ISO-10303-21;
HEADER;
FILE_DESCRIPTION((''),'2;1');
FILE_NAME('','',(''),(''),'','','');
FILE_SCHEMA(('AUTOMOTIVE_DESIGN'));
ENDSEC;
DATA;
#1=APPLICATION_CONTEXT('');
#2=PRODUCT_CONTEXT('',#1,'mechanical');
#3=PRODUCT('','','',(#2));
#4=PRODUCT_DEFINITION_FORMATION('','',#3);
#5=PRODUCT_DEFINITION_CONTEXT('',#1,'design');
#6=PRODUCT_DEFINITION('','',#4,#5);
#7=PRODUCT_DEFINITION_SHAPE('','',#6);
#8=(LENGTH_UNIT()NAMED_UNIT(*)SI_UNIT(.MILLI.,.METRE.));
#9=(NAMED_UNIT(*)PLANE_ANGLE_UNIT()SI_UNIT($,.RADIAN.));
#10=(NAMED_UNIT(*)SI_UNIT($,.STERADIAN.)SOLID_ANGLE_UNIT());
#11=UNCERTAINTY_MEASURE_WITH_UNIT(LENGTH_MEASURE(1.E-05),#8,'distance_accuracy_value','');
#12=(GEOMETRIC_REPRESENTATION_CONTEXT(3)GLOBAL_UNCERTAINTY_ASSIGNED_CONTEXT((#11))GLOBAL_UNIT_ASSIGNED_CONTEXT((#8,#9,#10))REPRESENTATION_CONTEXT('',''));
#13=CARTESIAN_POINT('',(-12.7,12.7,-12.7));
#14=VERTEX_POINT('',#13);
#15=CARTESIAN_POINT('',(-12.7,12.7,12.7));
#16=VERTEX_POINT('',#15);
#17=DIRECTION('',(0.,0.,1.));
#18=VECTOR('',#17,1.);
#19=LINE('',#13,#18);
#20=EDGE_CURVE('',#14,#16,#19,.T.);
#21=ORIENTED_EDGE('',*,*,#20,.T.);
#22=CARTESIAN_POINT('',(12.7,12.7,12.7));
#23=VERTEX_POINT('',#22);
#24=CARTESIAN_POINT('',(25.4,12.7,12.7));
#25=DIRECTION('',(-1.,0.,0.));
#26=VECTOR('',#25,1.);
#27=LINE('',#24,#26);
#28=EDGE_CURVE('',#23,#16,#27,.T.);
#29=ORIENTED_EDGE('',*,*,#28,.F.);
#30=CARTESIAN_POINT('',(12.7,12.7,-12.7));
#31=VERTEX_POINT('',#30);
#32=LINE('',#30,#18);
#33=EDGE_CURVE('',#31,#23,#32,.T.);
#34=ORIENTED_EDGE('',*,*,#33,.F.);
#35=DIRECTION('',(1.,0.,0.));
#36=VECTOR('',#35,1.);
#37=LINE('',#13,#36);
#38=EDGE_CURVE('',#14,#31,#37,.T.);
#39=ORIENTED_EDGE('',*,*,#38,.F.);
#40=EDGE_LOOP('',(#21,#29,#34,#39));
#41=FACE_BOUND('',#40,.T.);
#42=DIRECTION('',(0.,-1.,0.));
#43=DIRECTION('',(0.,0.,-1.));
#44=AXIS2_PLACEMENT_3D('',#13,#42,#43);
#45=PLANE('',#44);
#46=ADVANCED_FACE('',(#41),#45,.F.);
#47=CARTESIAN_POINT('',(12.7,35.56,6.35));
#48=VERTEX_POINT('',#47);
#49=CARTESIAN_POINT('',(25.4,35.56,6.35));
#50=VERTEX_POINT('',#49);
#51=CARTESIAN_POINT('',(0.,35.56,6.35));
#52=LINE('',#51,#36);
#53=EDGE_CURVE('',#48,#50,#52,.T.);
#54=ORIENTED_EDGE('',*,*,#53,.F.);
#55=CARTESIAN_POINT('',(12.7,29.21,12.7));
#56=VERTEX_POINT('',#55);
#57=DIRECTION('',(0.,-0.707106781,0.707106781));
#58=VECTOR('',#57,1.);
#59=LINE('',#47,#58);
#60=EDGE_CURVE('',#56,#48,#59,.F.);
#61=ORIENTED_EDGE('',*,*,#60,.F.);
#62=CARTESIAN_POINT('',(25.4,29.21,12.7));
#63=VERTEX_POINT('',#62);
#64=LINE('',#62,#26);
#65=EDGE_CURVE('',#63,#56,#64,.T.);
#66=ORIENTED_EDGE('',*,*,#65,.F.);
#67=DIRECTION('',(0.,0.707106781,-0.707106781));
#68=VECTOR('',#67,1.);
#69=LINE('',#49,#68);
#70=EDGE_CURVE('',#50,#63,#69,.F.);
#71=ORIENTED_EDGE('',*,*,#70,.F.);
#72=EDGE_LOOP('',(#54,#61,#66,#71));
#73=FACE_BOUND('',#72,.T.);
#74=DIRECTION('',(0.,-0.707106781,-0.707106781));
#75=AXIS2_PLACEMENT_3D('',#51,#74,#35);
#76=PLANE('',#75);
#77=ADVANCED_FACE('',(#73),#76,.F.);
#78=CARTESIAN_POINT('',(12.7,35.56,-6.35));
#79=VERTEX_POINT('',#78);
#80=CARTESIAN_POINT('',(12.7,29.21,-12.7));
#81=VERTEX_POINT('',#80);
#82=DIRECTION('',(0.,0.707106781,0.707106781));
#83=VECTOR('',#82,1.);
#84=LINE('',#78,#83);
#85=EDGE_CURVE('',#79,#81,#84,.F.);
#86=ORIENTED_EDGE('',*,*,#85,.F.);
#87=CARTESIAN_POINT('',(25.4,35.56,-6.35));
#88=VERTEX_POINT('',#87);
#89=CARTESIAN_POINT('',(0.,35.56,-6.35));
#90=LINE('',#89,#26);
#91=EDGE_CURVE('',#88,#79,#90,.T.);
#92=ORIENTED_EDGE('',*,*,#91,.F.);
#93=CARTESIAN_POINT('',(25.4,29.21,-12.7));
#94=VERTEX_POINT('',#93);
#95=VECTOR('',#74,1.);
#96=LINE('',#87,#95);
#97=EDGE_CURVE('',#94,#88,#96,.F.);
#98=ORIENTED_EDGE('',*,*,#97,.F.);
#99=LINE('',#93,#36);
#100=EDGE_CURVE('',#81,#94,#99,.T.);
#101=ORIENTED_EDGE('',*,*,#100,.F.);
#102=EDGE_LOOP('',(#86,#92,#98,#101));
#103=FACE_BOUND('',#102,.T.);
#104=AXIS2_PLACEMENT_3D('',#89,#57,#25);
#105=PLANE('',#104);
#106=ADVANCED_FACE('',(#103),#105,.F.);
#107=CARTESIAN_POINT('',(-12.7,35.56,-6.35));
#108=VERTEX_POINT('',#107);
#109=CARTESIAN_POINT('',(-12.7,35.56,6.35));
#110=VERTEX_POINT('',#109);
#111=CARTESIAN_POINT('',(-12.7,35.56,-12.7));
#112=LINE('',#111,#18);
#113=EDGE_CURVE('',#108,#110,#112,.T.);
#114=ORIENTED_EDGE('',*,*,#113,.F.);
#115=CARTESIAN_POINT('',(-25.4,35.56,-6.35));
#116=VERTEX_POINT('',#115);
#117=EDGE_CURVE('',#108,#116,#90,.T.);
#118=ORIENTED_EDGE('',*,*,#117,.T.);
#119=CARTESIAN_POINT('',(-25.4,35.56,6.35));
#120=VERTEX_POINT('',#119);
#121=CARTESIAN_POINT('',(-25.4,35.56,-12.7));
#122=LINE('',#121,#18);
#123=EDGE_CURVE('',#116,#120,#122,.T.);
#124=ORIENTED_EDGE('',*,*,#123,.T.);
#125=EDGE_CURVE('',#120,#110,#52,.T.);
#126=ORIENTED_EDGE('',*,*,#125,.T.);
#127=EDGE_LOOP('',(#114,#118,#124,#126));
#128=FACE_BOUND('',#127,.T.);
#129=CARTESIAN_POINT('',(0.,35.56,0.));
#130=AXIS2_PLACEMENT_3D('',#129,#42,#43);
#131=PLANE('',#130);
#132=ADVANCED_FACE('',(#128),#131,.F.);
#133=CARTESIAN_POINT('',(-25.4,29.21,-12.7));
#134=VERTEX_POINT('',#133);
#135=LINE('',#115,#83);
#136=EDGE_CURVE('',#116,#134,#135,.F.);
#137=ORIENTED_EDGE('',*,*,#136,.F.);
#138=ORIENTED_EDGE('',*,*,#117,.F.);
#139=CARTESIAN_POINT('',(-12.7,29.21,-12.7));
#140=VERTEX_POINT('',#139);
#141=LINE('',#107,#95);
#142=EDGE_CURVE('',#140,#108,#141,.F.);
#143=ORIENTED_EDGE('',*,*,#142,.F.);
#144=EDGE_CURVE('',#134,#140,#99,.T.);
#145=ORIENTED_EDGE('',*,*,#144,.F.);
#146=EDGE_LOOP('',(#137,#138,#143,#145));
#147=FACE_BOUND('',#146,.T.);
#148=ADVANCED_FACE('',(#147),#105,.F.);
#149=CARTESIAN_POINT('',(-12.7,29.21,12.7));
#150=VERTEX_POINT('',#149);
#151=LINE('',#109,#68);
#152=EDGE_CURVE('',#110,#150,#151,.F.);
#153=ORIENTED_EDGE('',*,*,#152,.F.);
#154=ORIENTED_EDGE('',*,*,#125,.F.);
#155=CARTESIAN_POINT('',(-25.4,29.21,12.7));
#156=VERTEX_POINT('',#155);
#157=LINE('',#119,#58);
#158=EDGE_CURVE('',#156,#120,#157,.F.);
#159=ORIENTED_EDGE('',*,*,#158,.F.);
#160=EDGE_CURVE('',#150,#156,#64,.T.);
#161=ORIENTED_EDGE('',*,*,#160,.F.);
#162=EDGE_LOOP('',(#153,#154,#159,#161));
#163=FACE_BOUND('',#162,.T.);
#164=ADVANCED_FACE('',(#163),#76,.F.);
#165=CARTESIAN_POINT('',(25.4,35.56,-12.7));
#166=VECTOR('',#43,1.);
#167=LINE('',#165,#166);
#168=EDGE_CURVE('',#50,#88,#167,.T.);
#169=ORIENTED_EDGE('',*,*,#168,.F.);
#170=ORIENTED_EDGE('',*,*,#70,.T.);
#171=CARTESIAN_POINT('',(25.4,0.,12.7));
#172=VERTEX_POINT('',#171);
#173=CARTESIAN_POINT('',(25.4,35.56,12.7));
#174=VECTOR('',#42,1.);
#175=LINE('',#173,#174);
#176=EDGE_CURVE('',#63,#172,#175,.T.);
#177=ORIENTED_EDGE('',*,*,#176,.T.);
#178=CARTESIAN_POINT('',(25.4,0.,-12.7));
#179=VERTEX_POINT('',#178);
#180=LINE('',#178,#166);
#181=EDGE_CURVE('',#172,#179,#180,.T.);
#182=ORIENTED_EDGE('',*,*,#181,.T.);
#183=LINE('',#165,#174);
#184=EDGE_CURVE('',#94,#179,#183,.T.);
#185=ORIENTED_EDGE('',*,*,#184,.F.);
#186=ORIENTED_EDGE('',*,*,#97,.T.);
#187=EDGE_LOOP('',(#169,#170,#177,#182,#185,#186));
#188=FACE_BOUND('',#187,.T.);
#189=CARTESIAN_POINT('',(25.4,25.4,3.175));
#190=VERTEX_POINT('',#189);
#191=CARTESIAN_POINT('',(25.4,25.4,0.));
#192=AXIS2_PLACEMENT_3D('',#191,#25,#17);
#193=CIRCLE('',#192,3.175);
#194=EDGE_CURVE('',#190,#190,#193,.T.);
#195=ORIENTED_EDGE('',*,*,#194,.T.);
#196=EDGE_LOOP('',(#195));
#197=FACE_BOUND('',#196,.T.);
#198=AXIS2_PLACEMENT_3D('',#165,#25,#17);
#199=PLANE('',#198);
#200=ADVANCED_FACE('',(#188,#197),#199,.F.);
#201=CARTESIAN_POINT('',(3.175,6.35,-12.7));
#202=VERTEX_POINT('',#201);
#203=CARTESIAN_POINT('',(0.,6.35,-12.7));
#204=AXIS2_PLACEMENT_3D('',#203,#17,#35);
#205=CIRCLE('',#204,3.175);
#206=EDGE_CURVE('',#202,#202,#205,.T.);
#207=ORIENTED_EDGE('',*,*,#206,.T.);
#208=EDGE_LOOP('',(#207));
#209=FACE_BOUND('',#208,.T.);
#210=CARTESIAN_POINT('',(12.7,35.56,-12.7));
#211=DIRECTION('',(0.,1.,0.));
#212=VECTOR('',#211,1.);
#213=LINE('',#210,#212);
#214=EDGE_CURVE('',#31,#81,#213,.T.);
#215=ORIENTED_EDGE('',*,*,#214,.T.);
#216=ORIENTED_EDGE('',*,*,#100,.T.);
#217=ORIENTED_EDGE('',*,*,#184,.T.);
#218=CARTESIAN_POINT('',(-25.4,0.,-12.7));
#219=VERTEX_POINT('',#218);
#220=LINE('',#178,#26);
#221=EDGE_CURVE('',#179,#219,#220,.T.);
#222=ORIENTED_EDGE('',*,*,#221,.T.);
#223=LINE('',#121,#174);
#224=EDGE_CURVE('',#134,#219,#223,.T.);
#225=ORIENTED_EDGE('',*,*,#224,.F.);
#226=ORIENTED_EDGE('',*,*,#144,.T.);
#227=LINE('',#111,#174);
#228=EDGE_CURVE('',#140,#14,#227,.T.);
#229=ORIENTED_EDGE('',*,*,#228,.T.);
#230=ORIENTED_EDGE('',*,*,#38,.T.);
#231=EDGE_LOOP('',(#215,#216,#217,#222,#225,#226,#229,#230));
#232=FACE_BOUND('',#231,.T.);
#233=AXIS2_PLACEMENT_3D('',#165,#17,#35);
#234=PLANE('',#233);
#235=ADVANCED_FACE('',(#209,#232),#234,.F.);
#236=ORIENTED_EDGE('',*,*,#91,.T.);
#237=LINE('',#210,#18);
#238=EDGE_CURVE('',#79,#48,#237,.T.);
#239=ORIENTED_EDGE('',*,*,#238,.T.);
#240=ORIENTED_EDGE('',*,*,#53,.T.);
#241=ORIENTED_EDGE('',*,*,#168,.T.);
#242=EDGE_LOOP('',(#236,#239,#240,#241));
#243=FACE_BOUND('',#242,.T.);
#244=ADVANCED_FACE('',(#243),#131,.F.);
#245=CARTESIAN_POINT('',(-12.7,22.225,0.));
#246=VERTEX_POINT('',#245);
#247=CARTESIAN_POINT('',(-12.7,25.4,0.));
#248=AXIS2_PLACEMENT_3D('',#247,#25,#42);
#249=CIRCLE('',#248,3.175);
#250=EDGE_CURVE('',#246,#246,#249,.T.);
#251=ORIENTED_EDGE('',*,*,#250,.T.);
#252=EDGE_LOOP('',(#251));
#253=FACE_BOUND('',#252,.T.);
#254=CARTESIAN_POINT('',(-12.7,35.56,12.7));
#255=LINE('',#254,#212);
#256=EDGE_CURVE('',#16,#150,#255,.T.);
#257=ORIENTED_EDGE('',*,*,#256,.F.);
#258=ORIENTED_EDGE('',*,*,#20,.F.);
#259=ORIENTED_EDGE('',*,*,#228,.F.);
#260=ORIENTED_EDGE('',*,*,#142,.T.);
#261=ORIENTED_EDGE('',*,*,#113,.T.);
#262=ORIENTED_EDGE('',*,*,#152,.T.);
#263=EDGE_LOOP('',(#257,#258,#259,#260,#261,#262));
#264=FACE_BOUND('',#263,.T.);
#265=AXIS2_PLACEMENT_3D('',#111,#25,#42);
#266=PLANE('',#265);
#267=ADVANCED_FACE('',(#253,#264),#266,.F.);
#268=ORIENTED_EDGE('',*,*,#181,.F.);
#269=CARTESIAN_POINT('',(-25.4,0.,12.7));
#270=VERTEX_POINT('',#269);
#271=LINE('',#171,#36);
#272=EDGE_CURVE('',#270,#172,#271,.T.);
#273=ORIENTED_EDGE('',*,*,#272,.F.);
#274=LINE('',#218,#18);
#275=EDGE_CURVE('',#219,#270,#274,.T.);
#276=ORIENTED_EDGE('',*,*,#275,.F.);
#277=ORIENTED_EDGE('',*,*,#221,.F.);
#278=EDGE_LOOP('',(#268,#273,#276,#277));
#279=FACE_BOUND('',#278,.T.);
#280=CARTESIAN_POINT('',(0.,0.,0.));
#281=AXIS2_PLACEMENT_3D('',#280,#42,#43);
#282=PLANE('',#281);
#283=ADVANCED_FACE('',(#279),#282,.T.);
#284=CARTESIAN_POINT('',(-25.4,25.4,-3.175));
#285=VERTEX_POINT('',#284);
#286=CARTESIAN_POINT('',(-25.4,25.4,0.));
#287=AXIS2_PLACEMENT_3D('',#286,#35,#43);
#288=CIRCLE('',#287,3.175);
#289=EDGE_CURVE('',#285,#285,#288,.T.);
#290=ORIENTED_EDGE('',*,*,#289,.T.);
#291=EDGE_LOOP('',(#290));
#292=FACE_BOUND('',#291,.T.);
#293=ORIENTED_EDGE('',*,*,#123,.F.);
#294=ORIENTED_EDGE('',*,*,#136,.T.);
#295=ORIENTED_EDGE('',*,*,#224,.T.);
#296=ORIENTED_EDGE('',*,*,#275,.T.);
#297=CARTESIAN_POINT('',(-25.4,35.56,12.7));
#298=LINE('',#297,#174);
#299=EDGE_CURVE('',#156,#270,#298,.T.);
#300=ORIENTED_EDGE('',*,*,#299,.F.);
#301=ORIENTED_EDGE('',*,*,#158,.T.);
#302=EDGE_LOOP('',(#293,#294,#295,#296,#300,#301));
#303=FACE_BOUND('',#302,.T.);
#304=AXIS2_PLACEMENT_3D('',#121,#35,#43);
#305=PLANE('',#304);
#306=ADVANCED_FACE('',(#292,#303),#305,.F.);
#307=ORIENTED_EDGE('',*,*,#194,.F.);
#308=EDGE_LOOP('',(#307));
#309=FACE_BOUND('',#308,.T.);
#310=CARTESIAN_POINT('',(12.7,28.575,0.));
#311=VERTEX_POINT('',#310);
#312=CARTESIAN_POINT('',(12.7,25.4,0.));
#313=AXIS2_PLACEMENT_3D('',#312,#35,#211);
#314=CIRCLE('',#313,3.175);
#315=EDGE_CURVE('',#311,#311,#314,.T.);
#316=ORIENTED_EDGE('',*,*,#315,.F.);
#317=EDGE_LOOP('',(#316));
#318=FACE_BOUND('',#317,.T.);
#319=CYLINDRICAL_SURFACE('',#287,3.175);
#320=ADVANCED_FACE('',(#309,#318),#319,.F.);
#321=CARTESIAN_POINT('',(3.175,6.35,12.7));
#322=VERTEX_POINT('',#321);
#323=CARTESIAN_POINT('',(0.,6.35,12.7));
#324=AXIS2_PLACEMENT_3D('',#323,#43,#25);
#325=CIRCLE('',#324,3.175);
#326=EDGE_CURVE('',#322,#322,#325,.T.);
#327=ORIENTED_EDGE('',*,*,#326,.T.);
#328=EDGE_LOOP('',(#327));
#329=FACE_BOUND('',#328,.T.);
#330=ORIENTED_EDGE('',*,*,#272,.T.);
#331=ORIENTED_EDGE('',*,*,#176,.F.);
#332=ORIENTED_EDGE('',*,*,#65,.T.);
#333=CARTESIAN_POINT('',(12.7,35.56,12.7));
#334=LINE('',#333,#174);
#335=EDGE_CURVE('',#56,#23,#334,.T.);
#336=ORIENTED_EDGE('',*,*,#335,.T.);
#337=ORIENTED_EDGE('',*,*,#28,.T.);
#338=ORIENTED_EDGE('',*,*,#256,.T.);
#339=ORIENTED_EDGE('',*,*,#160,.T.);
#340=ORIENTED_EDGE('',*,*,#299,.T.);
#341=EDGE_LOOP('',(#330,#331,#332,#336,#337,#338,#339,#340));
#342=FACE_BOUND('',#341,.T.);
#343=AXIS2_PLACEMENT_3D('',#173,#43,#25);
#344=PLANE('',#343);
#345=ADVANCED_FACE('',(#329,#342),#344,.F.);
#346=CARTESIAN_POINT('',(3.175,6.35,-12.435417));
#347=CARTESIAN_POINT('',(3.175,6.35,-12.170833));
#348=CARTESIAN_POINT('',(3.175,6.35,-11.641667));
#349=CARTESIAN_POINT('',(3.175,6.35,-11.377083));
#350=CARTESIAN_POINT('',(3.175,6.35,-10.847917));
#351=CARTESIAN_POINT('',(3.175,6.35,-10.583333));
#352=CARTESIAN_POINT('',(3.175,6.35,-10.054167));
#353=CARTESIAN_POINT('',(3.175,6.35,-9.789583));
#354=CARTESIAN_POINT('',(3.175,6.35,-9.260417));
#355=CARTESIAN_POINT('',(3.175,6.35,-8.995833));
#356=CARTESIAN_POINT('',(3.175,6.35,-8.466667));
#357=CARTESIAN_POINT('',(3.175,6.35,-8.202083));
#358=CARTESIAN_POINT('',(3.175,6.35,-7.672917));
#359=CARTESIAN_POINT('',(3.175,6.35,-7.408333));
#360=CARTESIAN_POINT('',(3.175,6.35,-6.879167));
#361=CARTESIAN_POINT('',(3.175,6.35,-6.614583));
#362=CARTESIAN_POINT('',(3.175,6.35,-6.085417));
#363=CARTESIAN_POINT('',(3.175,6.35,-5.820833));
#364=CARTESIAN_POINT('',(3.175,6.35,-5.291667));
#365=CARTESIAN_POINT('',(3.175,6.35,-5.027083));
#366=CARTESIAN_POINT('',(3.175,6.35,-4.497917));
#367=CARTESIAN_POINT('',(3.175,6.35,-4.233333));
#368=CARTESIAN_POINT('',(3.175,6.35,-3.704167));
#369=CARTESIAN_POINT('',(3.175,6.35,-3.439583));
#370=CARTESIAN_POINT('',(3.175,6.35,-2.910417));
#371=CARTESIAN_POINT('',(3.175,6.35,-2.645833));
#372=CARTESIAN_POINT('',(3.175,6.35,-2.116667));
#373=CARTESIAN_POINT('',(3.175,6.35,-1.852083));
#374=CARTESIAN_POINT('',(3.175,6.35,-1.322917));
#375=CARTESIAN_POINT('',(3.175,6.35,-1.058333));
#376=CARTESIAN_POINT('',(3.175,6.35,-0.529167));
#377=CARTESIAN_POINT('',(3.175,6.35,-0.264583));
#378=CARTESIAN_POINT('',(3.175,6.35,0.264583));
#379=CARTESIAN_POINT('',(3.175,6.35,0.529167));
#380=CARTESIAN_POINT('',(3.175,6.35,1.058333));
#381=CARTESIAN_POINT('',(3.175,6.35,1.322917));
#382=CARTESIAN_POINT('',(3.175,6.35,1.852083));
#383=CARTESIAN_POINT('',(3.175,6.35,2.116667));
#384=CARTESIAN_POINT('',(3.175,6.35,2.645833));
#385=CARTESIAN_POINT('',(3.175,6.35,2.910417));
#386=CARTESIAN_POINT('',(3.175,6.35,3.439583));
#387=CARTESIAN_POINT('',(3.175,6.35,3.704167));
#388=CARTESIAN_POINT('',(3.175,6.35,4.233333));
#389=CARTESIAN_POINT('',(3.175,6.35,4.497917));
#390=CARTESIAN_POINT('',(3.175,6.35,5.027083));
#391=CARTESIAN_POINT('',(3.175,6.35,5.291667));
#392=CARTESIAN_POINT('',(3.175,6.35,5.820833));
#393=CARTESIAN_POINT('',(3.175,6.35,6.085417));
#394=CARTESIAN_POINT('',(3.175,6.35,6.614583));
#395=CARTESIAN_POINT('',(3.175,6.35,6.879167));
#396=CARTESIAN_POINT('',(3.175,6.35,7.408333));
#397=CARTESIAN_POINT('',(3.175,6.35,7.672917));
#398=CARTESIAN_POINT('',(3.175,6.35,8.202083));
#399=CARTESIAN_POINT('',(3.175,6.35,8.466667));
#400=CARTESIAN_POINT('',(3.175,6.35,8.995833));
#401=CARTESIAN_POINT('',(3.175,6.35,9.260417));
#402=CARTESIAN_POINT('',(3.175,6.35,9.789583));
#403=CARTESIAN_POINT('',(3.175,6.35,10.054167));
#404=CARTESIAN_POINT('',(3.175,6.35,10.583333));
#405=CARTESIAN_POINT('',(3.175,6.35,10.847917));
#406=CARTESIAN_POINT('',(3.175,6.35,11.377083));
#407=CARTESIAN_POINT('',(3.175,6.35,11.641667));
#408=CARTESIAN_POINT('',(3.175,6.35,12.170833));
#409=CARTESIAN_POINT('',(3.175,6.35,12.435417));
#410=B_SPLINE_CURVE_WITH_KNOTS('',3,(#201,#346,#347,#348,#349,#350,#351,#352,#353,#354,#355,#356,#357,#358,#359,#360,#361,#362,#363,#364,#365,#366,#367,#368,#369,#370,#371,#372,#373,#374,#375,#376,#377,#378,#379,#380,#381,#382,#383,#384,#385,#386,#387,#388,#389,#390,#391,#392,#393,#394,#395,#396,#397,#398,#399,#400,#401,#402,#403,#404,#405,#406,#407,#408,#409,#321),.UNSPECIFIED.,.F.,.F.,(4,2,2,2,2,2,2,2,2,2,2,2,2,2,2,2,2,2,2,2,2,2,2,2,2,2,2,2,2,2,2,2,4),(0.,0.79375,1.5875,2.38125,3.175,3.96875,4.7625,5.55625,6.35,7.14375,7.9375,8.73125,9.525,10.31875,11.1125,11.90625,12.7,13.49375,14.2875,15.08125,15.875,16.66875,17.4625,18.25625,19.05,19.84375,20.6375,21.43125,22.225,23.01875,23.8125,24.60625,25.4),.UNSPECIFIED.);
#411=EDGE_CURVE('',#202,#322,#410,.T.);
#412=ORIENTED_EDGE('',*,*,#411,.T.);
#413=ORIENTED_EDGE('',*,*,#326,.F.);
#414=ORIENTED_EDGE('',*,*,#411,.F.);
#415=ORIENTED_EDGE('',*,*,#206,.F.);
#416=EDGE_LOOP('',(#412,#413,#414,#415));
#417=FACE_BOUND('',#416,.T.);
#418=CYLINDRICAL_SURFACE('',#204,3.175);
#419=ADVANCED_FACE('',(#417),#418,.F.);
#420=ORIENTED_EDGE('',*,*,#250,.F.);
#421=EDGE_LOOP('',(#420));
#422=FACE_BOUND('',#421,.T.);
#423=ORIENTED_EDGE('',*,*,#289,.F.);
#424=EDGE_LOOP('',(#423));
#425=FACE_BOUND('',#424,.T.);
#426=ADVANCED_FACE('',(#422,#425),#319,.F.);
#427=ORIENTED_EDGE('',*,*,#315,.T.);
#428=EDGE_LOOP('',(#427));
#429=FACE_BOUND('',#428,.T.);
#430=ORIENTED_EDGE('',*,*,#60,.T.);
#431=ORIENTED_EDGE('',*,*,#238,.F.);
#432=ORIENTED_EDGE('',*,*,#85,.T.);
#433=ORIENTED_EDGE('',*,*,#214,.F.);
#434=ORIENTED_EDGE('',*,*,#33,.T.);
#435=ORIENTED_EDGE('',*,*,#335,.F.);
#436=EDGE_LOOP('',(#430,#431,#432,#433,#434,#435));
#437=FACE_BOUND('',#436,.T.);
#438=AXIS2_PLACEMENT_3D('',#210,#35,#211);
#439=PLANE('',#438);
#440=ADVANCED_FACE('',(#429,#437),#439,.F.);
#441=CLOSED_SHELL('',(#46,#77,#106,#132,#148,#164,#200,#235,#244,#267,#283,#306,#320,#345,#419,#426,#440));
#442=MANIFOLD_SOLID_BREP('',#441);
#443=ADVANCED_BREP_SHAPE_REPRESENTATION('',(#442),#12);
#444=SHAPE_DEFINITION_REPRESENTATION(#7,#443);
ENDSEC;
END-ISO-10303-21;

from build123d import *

# Parameters (mm, degrees)
SKETCH1_W               = 50.8
SKETCH1_H               = 25.4
BOSS_EXTRUDE1_DEPTH     = 35.56
CUT_EXTRUDE1_DEPTH      = 51.545361805
CUT_EXTRUDE1_DEPTH_BACK = 51.545361805
SKETCH2_R               = 3.175
SKETCH2_W               = 25.4
SKETCH2_H               = 22.86
CUT_EXTRUDE2_DEPTH      = 64.296473835
CUT_EXTRUDE2_DEPTH_BACK = 64.296473835
SKETCH3_R               = 3.175
CHAMFER2_SIZE           = 6.35


with BuildPart() as part:
    # Sketch1 → Boss-Extrude1 (new body)
    with BuildSketch(Plane(origin=(0, 0, 0), x_dir=(1, 0, 0), z_dir=(0, 1, 0))):
        Rectangle(SKETCH1_W, SKETCH1_H)
    extrude(amount=BOSS_EXTRUDE1_DEPTH)

    # Sketch2 → Cut-Extrude1 (cut, two sides: drawn at the far end of the back side and taken through both)
    with BuildSketch(Plane.XY.offset(12.7).offset(-CUT_EXTRUDE1_DEPTH_BACK)):
        with Locations((0, 6.35)):
            Circle(SKETCH2_R)
        with Locations((0, 24.13)):
            Rectangle(SKETCH2_W, SKETCH2_H)
    extrude(amount=CUT_EXTRUDE1_DEPTH + CUT_EXTRUDE1_DEPTH_BACK, mode=Mode.SUBTRACT)

    # Sketch3 → Cut-Extrude2 (cut, two sides: drawn at the far end of the back side and taken through both)
    with BuildSketch(Plane(origin=(25.4, 0, 0), x_dir=(0, 0, -1), z_dir=(1, 0, 0)).offset(-CUT_EXTRUDE2_DEPTH_BACK)):
        with Locations(Location((0, 25.4, 0), (0, 0, 90))):
            Circle(SKETCH3_R)
    extrude(amount=CUT_EXTRUDE2_DEPTH + CUT_EXTRUDE2_DEPTH_BACK, mode=Mode.SUBTRACT)

    # Chamfer2
    chamfer2_edges = [part.edges().sort_by_distance(p)[0] for p in [
        (19.05, 35.56, -12.7),
        (19.05, 35.56, 12.7),
        (-19.05, 35.56, -12.7),
        (-19.05, 35.56, 12.7),
    ]]
    chamfer(chamfer2_edges, length=CHAMFER2_SIZE)


solid = part.part
